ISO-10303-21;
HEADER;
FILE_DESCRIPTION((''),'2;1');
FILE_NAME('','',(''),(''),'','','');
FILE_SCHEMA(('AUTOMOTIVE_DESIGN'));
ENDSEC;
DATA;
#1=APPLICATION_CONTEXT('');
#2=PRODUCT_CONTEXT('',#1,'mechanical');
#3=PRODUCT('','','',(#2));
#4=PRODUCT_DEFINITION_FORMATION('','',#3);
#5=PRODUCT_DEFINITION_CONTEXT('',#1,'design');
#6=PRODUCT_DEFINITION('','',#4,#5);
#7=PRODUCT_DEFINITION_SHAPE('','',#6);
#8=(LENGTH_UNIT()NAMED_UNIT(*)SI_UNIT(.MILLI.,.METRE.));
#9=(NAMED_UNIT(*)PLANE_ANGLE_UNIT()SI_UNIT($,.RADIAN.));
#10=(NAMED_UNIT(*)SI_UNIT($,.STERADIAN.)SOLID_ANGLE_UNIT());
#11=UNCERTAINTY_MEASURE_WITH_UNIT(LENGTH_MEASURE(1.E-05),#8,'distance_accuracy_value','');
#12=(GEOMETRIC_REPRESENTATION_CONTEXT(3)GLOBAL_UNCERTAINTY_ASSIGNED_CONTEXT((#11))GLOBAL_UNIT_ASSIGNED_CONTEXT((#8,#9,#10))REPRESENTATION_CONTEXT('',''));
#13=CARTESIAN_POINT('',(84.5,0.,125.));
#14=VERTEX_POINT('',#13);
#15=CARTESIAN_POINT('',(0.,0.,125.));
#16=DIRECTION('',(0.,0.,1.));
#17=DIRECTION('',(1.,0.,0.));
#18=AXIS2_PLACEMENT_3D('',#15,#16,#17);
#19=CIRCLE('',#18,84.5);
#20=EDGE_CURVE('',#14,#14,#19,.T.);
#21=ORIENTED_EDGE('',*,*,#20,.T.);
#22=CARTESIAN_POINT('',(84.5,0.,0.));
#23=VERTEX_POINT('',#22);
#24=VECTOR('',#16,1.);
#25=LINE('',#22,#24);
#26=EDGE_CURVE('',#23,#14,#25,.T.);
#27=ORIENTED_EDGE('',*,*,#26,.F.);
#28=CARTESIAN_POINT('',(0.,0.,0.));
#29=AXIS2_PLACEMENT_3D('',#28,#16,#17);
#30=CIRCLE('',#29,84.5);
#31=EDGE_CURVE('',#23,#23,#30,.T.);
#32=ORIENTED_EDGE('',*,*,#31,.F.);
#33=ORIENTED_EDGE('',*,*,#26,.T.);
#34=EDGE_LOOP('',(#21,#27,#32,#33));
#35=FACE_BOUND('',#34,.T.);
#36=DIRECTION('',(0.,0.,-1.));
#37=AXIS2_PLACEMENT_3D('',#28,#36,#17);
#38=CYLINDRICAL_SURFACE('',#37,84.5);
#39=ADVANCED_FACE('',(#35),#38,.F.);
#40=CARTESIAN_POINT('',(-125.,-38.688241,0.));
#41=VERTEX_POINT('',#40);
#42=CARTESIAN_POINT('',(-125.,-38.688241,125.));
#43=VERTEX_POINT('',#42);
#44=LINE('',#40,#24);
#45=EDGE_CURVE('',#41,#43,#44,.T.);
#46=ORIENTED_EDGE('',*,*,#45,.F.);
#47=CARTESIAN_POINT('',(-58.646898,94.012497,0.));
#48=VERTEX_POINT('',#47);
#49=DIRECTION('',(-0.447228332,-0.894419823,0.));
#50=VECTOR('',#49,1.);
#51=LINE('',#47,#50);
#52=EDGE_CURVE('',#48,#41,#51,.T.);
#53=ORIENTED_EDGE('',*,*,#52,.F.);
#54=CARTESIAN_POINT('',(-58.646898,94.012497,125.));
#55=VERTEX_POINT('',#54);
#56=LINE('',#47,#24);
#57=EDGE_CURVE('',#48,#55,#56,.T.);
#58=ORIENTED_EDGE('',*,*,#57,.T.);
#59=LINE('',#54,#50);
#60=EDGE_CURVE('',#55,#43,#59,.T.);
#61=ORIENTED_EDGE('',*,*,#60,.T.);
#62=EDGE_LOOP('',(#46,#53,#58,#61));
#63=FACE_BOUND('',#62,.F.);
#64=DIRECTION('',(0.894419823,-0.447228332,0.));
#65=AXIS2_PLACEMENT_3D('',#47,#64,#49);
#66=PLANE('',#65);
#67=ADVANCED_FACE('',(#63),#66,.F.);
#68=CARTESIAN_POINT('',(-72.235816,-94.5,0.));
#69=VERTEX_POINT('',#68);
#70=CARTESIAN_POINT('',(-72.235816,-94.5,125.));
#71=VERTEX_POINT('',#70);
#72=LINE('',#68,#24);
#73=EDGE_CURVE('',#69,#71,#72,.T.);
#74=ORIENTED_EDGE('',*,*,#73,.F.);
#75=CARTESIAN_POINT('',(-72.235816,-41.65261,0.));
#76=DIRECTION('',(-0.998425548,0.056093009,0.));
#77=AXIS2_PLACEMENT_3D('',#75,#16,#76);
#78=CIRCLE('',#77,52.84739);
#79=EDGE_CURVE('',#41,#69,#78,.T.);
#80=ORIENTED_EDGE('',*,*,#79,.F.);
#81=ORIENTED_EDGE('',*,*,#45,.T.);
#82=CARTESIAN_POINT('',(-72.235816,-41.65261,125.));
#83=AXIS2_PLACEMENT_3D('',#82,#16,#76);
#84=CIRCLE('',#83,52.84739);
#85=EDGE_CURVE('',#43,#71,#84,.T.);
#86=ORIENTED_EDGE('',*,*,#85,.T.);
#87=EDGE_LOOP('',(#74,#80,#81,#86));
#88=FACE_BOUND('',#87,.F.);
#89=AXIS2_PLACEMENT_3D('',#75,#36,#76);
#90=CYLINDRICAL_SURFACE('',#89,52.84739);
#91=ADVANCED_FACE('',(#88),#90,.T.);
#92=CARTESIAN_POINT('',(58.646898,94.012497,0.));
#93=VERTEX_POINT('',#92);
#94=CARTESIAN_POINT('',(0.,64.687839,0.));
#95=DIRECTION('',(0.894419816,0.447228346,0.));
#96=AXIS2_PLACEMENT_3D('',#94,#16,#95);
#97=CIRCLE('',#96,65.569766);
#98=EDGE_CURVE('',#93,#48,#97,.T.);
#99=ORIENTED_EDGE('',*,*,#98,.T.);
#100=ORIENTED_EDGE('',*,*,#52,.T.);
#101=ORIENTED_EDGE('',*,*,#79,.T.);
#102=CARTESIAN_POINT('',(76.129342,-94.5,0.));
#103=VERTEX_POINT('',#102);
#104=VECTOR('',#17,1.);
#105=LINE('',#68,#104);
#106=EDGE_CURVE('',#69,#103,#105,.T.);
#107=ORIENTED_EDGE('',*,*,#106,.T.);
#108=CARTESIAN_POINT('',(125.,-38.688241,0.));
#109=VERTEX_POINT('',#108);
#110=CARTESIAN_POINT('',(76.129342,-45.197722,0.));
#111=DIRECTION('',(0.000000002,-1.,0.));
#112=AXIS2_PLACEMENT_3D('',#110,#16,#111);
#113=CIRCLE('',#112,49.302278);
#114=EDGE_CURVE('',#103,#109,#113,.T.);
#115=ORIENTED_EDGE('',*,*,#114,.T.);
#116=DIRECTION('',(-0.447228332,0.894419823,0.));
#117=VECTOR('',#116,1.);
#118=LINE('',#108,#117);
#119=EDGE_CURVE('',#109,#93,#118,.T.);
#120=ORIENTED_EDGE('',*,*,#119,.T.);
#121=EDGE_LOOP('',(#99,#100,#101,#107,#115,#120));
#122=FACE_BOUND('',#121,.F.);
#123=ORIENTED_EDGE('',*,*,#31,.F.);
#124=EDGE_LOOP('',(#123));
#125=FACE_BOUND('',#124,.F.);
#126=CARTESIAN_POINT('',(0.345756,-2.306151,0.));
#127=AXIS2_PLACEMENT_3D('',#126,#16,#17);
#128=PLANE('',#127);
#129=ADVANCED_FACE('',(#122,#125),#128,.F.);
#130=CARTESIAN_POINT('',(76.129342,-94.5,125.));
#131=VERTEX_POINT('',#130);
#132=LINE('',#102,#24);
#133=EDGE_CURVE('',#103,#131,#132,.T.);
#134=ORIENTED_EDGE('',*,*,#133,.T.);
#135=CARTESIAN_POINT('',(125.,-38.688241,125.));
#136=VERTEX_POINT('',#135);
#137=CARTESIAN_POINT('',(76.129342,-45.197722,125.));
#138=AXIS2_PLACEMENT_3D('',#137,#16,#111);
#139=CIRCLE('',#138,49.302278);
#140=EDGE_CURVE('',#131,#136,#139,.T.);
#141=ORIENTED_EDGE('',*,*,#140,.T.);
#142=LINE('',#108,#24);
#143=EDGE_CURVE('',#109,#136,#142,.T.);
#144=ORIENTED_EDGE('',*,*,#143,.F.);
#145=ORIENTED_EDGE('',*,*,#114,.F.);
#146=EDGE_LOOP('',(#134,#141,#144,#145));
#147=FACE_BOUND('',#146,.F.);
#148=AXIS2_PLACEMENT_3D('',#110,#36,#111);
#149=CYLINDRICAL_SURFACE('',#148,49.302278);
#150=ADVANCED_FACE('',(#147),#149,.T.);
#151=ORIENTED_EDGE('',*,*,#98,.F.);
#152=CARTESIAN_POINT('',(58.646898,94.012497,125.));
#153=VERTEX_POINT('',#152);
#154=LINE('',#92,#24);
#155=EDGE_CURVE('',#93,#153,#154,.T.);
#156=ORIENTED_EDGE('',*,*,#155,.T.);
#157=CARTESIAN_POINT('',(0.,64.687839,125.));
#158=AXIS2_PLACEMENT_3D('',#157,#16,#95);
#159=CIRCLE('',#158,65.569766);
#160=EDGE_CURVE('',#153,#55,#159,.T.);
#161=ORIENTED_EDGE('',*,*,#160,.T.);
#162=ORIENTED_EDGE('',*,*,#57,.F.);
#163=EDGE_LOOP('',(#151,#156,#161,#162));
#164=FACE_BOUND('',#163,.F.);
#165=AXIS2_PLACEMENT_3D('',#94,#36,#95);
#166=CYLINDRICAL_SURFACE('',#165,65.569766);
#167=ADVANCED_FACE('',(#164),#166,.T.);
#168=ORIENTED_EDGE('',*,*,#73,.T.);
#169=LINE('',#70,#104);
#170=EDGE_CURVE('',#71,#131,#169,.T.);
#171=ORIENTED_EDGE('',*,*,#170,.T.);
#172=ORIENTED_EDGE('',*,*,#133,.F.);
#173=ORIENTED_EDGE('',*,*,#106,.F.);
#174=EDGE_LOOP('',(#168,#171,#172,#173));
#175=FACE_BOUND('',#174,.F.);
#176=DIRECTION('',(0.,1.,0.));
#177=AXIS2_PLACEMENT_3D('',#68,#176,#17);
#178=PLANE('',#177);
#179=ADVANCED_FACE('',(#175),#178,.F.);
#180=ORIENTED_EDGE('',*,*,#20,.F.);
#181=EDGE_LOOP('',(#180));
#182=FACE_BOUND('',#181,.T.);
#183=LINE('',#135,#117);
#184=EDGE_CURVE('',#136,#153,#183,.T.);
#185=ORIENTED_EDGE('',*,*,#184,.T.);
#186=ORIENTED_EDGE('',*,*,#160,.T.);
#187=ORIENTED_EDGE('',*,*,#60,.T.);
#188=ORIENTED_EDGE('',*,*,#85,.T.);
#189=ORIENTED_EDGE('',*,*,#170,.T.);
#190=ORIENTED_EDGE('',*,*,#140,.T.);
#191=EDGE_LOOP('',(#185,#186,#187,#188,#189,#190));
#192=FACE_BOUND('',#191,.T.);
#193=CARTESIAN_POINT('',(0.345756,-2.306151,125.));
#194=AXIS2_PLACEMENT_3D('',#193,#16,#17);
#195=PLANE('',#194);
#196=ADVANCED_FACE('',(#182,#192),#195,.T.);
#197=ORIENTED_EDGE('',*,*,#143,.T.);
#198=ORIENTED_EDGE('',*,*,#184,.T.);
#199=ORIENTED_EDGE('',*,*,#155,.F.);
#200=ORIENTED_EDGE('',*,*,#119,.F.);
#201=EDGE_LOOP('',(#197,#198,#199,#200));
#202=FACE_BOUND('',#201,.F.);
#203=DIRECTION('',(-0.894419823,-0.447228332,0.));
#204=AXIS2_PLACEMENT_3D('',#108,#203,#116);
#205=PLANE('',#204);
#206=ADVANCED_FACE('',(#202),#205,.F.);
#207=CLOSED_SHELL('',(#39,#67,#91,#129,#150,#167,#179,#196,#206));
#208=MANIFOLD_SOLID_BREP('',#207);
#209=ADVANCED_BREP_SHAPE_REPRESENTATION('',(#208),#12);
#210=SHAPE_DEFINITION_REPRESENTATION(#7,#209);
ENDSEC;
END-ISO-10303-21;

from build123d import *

# Parameters (mm, degrees)
F1_DEPTH = 125
F2_R     = 84.5
F3_DEPTH = 125


with BuildPart() as f1:
    # F0 (on Top) → F1 (new body)
    with BuildSketch(Plane.XY):
        with BuildLine():
            ThreePointArc((76.129342, -94.5), (113.221436, -77.67681), (125, -38.688241))
            Line((125, -38.688241), (58.646898, 94.012497))
            ThreePointArc((58.646898, 94.012497), (0, 130.257605), (-58.646898, 94.012497))
            Line((-58.646898, 94.012497), (-125, -38.688241))
            ThreePointArc((-125, -38.688241), (-110.638327, -77.958171), (-72.235816, -94.5))
            Line((-72.235816, -94.5), (76.129342, -94.5))
        make_face()
    extrude(amount=F1_DEPTH)

    # F2 (on Top) → F3 (cut)
    with BuildSketch(Plane.XY):
        Circle(F2_R)
    extrude(amount=F3_DEPTH, mode=Mode.SUBTRACT)


solid = f1.part
